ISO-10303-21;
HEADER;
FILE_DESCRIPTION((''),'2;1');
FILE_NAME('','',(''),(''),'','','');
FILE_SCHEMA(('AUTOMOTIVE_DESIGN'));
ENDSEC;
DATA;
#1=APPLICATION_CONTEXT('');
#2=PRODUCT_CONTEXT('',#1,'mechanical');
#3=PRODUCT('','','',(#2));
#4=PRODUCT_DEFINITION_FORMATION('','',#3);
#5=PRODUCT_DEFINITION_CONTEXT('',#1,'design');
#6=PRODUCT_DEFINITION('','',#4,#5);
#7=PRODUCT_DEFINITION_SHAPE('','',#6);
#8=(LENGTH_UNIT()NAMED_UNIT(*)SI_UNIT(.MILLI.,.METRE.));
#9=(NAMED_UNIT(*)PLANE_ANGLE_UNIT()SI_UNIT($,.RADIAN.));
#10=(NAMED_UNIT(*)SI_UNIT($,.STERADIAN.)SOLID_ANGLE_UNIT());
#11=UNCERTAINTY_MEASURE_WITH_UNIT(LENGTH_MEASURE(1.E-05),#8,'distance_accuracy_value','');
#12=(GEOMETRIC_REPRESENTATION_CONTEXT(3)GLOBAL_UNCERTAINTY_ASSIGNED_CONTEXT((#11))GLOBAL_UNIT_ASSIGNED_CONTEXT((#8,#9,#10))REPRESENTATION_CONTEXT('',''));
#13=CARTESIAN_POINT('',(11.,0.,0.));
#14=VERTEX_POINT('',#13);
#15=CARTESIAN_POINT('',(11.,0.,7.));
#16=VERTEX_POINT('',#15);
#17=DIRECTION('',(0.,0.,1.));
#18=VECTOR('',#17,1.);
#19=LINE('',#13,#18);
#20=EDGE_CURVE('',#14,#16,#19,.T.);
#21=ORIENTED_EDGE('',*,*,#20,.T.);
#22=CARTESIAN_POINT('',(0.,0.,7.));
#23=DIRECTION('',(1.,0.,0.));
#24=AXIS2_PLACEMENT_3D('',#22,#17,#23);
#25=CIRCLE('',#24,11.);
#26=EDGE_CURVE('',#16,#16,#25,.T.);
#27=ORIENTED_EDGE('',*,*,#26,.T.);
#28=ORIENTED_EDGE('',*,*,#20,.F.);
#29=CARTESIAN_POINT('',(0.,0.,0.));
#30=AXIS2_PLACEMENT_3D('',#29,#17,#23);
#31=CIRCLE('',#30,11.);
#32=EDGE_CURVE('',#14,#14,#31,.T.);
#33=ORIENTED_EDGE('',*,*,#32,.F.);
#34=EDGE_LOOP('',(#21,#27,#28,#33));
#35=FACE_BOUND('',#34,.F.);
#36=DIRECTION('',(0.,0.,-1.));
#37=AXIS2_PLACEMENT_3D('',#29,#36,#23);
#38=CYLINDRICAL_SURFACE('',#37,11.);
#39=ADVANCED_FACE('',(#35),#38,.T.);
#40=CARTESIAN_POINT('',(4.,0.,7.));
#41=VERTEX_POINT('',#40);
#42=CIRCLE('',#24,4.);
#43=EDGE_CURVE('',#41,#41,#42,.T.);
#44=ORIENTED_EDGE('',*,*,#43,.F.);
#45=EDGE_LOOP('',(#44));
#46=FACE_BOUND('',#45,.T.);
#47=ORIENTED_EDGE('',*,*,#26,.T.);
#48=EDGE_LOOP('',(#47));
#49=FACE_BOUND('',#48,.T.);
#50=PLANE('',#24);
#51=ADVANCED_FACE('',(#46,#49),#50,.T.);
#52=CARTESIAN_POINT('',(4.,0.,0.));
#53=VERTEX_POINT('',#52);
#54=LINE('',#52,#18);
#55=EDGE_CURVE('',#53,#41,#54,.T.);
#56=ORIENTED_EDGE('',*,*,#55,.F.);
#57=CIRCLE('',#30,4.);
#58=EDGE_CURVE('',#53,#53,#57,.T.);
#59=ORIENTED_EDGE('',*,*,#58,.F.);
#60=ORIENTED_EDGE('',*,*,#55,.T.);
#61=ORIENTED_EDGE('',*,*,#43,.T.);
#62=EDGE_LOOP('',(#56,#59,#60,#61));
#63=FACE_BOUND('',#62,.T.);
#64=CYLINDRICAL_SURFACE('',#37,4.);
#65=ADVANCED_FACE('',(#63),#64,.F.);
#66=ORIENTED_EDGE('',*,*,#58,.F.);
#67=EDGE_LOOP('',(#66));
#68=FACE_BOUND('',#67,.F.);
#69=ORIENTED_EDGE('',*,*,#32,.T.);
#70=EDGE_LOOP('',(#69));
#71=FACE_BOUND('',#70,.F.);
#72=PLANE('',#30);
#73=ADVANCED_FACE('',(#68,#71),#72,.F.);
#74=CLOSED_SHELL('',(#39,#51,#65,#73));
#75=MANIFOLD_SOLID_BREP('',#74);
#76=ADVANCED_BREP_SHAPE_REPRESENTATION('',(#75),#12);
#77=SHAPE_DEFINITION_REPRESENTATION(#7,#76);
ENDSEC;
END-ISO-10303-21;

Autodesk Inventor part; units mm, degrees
ref_plane "YZ Plane" through (0, 0, 0) normal (1, 0, 0) x (0, 1, 0)
ref_plane "XZ Plane" through (0, 0, 0) normal (0, 1, 0) x (-1, 0, 0)
ref_plane "XY Plane" through (0, 0, 0) normal (0, 0, 1) x (1, 0, 0)
sketch "Sketch1" plane through (0, 0, 0) normal (0, 0, 1) x (1, 0, 0)
  circle A0 centre (0, 0) radius 11
  circle A1 centre (0, 0) radius 4
  dimension "d0" = 8
  dimension "d1" = 22
extrude "Extrusion1" add sketch "Sketch1" along normal blind 7
properties part number "608"
